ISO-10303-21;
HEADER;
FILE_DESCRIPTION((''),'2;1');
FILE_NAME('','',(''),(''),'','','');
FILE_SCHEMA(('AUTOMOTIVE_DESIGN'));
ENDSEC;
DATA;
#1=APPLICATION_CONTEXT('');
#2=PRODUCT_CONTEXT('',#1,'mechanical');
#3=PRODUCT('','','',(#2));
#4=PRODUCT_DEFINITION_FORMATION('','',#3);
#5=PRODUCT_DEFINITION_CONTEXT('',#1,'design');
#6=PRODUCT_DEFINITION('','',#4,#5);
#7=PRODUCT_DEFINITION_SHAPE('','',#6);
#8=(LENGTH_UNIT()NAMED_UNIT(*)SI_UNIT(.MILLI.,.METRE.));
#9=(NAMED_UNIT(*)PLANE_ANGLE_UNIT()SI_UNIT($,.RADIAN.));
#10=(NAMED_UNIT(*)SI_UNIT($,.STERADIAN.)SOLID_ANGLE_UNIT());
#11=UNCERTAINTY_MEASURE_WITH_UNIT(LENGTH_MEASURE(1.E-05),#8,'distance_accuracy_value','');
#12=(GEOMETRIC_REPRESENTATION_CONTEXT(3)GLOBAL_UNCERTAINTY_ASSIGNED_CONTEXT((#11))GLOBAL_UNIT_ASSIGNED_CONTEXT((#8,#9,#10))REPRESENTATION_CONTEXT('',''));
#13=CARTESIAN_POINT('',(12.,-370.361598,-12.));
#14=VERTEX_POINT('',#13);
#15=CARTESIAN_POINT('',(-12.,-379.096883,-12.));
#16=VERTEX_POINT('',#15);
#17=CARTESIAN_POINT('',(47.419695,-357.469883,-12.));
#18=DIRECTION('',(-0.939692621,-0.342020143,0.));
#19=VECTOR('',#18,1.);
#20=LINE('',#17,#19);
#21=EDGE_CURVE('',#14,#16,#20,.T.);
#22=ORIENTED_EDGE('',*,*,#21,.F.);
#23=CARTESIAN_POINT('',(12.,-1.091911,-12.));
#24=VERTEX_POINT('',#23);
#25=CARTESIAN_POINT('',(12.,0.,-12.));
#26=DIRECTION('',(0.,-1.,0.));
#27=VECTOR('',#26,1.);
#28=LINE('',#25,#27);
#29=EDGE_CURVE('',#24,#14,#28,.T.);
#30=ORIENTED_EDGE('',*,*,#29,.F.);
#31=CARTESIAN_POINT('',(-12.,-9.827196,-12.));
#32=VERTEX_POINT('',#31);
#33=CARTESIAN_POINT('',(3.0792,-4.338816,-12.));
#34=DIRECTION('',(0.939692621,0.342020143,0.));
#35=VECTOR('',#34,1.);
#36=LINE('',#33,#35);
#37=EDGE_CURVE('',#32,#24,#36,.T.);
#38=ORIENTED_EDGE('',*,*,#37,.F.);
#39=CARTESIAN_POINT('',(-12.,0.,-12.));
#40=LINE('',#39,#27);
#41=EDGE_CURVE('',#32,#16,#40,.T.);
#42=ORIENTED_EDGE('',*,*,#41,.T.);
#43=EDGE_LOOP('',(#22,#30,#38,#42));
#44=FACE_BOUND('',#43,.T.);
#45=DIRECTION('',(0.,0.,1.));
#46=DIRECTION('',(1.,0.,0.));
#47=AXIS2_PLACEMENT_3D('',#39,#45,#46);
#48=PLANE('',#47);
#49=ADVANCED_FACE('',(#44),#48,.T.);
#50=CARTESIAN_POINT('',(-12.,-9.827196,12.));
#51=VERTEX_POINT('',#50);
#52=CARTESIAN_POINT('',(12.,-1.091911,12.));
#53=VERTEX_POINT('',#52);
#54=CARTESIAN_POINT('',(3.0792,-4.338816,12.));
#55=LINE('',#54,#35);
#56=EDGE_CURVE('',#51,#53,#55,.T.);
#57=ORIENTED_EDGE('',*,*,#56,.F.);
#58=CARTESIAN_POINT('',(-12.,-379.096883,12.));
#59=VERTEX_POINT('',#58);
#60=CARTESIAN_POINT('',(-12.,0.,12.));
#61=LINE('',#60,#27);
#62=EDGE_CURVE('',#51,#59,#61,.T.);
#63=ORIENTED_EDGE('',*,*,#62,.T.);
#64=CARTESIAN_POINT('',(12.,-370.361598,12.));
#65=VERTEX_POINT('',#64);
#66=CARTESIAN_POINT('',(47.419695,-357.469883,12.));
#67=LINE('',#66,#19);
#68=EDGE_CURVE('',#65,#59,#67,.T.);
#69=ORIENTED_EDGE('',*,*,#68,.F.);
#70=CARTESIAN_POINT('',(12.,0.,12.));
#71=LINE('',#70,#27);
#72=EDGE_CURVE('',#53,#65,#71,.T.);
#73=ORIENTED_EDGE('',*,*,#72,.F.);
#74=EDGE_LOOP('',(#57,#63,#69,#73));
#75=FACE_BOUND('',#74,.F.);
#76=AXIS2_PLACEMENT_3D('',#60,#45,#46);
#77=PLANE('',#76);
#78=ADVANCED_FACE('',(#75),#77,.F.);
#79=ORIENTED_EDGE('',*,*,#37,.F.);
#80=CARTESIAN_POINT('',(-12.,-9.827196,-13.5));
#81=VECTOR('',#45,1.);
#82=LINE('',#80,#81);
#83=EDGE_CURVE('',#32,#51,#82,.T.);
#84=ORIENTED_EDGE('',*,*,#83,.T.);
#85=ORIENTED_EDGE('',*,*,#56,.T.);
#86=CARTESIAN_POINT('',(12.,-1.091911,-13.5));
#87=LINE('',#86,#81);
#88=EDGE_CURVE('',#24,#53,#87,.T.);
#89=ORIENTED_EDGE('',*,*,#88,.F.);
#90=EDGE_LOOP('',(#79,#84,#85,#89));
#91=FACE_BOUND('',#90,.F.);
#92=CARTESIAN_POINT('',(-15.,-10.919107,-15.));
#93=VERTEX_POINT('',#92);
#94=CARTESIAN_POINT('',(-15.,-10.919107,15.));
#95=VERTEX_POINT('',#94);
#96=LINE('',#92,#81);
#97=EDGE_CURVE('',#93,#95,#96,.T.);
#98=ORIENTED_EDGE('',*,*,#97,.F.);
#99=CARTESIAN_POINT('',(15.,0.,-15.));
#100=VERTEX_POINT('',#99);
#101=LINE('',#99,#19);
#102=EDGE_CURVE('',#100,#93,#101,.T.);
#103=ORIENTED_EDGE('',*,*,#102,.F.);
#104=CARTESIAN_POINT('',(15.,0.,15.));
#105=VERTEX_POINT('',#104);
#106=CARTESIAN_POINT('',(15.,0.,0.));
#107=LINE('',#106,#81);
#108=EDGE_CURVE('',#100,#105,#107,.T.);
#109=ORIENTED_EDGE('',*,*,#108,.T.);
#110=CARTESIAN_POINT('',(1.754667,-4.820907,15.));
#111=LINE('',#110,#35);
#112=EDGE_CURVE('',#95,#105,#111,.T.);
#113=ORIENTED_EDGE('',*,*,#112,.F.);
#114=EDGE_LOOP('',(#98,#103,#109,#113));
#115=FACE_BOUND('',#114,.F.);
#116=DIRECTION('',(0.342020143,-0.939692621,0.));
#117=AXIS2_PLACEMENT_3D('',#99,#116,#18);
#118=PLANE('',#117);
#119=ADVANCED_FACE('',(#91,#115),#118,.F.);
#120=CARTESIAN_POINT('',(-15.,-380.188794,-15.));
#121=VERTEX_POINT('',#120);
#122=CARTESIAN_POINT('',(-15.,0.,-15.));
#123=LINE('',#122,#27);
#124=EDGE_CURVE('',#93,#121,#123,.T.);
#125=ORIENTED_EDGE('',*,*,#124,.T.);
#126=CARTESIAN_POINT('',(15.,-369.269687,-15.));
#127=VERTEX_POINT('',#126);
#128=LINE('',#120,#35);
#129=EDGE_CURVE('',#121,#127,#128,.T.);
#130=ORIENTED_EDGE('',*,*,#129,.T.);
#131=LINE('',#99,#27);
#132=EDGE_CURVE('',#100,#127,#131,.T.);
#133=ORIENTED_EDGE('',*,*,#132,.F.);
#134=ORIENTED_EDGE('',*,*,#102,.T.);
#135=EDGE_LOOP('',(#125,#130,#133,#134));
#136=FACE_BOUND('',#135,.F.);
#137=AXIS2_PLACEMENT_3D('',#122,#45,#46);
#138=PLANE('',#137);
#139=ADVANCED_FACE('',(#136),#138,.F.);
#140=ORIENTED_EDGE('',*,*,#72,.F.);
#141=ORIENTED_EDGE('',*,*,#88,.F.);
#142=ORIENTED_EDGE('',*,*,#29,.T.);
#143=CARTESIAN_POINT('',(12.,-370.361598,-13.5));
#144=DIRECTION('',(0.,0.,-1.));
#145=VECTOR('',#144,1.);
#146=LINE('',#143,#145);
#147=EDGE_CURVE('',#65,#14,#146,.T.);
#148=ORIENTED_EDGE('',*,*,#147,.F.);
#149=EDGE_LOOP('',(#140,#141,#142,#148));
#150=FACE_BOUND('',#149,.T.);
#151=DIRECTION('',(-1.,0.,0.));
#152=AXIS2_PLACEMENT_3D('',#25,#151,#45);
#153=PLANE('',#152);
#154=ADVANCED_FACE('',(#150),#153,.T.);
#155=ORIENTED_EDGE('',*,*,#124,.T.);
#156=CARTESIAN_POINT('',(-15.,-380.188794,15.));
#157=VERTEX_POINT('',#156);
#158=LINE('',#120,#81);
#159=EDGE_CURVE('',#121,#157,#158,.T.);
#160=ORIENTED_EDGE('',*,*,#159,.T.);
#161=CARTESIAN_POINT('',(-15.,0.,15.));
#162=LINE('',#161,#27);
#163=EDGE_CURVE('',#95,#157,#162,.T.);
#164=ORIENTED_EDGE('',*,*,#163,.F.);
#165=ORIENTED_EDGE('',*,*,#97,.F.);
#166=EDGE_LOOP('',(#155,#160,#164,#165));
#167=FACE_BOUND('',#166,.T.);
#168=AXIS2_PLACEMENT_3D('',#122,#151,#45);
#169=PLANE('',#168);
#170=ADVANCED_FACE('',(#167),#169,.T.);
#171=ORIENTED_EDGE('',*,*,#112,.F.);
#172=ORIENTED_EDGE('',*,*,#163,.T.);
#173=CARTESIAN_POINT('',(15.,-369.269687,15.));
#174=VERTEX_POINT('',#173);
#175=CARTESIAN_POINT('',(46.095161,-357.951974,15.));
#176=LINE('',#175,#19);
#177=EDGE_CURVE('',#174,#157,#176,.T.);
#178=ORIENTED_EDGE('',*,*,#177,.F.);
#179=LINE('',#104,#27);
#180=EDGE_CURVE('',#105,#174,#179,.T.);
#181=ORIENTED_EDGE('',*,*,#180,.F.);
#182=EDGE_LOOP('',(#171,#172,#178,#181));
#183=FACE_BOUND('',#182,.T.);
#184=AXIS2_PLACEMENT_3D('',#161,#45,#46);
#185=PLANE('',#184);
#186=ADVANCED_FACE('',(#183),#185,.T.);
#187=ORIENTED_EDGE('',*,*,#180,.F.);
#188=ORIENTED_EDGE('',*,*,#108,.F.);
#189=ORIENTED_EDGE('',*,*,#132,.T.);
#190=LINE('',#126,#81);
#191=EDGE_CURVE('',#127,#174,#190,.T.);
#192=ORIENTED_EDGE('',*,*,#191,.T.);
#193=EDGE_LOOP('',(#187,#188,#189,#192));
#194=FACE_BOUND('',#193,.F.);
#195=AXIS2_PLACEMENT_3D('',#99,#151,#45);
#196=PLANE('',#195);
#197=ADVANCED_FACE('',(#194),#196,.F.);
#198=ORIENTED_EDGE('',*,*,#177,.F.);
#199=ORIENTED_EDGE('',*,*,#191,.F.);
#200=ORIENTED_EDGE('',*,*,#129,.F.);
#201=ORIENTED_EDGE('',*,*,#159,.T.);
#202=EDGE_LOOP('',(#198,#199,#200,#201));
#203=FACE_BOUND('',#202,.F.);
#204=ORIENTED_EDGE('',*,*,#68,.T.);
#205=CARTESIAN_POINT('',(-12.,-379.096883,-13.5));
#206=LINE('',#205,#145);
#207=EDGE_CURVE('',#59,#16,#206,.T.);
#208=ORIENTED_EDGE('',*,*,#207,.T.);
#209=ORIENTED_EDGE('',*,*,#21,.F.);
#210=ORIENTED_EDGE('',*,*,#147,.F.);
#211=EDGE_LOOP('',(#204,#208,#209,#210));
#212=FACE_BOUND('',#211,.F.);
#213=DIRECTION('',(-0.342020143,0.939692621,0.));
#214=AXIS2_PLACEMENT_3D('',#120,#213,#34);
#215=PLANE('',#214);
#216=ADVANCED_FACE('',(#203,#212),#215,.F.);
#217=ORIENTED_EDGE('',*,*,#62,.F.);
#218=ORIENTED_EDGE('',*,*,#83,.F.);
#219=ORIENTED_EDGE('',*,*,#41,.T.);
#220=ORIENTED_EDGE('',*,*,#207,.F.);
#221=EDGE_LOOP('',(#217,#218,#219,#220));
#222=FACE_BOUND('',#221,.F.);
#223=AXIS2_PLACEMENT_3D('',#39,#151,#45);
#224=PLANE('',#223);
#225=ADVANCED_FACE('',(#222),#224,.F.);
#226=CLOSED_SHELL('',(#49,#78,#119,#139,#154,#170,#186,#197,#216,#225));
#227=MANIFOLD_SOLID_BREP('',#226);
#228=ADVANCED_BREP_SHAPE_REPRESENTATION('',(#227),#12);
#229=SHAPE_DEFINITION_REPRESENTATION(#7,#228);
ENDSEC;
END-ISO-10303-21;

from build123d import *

# Parameters (mm, degrees)
F0_W     = 30
F0_H     = 30
F0_W_2   = 24
F0_H_2   = 24
F1_DEPTH = 500
F3_DEPTH = 30.001


with BuildPart() as f1:
    # F0 (on Front) → F1 (new body)
    with BuildSketch(Plane.XZ):
        Rectangle(F0_W, F0_H)
        Rectangle(F0_W_2, F0_H_2, mode=Mode.SUBTRACT)
    extrude(amount=F1_DEPTH)

    # F2 (on face) → F3 (cut, through all)
    with BuildSketch(Plane(origin=(0, 0, -15), x_dir=(1, 0, 0), z_dir=(0, 0, -1))):
        Polygon((-15, 380.188794), (15, 369.269687), (15, 500), (-15, 500), align=None)
        Polygon((-15, 0), (15, 0), (-15, 10.919107), align=None)
    extrude(amount=-F3_DEPTH, mode=Mode.SUBTRACT)


solid = f1.part
